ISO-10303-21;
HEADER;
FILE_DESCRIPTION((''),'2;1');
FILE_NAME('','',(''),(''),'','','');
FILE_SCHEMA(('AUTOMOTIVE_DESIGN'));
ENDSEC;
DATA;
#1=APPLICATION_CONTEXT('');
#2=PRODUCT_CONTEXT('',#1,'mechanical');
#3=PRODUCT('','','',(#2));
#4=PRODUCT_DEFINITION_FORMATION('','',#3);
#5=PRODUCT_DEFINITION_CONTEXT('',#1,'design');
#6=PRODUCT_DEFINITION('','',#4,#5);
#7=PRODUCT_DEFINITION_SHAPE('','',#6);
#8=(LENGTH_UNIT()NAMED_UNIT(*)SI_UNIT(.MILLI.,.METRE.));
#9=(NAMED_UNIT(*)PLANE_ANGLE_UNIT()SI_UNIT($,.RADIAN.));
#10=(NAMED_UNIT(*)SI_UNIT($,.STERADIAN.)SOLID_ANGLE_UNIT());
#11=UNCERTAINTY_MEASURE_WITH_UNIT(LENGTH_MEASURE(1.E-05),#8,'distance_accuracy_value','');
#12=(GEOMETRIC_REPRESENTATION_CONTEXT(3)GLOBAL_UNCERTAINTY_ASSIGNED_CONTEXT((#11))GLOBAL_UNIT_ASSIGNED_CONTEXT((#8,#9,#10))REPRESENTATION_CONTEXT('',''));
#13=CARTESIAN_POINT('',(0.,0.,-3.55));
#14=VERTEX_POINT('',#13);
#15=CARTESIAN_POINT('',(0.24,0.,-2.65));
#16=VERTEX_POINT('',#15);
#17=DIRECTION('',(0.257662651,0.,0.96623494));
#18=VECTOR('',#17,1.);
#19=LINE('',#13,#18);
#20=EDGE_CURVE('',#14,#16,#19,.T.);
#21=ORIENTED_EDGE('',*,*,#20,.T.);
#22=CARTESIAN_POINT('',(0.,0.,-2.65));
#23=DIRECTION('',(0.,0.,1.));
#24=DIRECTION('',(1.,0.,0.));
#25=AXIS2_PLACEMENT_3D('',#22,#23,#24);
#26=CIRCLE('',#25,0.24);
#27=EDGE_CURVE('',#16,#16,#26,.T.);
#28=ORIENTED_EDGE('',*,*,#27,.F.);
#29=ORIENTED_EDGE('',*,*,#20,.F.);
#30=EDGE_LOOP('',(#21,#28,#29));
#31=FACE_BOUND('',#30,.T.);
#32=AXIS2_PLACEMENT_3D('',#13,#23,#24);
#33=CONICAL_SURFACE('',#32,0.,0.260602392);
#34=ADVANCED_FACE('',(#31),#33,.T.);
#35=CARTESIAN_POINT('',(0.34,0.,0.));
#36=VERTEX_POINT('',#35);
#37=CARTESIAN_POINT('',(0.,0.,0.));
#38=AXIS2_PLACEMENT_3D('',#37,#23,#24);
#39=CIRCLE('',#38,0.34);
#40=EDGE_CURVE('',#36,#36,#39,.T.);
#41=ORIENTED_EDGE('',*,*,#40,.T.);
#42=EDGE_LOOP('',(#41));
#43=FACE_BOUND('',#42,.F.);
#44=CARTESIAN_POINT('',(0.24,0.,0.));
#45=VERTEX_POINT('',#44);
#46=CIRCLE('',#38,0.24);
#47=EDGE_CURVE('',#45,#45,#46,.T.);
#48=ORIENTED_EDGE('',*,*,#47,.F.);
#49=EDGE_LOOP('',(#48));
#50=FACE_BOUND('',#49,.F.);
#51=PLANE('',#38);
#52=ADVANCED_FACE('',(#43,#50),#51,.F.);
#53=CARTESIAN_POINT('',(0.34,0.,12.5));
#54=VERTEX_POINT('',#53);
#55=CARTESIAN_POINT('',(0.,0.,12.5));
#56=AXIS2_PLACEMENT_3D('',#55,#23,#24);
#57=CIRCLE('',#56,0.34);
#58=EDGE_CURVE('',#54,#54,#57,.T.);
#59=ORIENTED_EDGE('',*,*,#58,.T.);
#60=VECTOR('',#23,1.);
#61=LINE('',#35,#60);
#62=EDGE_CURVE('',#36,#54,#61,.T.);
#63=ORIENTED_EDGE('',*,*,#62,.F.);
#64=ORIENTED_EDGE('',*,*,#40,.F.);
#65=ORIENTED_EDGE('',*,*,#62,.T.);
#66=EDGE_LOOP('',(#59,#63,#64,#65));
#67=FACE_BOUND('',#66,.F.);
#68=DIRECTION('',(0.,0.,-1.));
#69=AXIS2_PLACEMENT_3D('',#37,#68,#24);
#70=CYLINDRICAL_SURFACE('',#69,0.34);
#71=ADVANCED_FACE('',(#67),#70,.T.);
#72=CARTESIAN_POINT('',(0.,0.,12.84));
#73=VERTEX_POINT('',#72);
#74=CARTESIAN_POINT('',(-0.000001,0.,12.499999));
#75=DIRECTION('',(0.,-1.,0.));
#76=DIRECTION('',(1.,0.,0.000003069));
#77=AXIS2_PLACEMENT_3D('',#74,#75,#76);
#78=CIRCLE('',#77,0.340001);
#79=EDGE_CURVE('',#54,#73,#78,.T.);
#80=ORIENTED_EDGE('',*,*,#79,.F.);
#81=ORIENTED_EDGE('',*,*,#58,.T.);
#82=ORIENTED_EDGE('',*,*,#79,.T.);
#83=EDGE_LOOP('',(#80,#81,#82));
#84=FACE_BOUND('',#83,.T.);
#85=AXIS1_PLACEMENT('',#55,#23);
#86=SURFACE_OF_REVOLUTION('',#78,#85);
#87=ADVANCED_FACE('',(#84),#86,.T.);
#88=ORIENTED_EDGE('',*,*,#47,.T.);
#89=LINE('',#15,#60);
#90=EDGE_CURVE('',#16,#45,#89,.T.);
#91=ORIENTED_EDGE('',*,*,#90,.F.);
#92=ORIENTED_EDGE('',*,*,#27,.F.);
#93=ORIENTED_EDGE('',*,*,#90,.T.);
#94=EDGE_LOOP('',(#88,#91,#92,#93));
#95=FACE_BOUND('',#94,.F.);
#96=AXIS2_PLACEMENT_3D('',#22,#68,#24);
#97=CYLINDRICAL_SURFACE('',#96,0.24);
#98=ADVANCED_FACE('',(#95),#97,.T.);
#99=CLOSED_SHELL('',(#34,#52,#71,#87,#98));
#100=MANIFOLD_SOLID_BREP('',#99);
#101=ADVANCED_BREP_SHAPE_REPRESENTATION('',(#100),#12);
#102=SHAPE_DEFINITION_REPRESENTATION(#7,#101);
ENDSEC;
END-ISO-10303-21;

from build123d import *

# Parameters (mm, degrees)
CYLINDER_R        = 0.34
CYLINDER_DEPTH    = 12.5
CYLINDER002_R     = 0.24
CYLINDER002_DEPTH = 2.65


with BuildPart() as cone:
    # Cone → Cone (revolve)
    with BuildSketch(Plane(origin=(0, 0, -3.55), x_dir=(1, 0, 0), z_dir=(0, -1, 0))):
        Polygon((0, 0), (0.24, 0.9), (0, 0.9), align=None)
    revolve(axis=Axis((0, 0, -3.55), (0, 0, 1)))


with BuildPart() as body:
    # Cylinder → Cylinder (new body)
    with BuildSketch(Plane.XY):
        Circle(CYLINDER_R)
    extrude(amount=CYLINDER_DEPTH)


with BuildPart() as pin:
    # Cylinder002 → Cylinder002 (new body)
    with BuildSketch(Plane.XY.offset(-2.65)):
        Circle(CYLINDER002_R)
    extrude(amount=CYLINDER002_DEPTH)


with BuildPart() as pogo_pin:
    # Sphere → Sphere (revolve)
    with BuildSketch(Plane(origin=(0, 0, 12.5), x_dir=(1, 0, 0), z_dir=(0, -1, 0))):
        with BuildLine():
            ThreePointArc((0.34, 0), (0.240416, 0.240416), (0, 0.34))
            Line((0, 0.34), (0, 0))
            Line((0, 0), (0.34, 0))
        make_face()
    revolve(axis=Axis((0, 0, 12.5), (0, 0, 1)))

    # Fusion001: union Cone, Body, Pin
    add(cone.part)
    add(body.part)
    add(pin.part)


solid = pogo_pin.part
